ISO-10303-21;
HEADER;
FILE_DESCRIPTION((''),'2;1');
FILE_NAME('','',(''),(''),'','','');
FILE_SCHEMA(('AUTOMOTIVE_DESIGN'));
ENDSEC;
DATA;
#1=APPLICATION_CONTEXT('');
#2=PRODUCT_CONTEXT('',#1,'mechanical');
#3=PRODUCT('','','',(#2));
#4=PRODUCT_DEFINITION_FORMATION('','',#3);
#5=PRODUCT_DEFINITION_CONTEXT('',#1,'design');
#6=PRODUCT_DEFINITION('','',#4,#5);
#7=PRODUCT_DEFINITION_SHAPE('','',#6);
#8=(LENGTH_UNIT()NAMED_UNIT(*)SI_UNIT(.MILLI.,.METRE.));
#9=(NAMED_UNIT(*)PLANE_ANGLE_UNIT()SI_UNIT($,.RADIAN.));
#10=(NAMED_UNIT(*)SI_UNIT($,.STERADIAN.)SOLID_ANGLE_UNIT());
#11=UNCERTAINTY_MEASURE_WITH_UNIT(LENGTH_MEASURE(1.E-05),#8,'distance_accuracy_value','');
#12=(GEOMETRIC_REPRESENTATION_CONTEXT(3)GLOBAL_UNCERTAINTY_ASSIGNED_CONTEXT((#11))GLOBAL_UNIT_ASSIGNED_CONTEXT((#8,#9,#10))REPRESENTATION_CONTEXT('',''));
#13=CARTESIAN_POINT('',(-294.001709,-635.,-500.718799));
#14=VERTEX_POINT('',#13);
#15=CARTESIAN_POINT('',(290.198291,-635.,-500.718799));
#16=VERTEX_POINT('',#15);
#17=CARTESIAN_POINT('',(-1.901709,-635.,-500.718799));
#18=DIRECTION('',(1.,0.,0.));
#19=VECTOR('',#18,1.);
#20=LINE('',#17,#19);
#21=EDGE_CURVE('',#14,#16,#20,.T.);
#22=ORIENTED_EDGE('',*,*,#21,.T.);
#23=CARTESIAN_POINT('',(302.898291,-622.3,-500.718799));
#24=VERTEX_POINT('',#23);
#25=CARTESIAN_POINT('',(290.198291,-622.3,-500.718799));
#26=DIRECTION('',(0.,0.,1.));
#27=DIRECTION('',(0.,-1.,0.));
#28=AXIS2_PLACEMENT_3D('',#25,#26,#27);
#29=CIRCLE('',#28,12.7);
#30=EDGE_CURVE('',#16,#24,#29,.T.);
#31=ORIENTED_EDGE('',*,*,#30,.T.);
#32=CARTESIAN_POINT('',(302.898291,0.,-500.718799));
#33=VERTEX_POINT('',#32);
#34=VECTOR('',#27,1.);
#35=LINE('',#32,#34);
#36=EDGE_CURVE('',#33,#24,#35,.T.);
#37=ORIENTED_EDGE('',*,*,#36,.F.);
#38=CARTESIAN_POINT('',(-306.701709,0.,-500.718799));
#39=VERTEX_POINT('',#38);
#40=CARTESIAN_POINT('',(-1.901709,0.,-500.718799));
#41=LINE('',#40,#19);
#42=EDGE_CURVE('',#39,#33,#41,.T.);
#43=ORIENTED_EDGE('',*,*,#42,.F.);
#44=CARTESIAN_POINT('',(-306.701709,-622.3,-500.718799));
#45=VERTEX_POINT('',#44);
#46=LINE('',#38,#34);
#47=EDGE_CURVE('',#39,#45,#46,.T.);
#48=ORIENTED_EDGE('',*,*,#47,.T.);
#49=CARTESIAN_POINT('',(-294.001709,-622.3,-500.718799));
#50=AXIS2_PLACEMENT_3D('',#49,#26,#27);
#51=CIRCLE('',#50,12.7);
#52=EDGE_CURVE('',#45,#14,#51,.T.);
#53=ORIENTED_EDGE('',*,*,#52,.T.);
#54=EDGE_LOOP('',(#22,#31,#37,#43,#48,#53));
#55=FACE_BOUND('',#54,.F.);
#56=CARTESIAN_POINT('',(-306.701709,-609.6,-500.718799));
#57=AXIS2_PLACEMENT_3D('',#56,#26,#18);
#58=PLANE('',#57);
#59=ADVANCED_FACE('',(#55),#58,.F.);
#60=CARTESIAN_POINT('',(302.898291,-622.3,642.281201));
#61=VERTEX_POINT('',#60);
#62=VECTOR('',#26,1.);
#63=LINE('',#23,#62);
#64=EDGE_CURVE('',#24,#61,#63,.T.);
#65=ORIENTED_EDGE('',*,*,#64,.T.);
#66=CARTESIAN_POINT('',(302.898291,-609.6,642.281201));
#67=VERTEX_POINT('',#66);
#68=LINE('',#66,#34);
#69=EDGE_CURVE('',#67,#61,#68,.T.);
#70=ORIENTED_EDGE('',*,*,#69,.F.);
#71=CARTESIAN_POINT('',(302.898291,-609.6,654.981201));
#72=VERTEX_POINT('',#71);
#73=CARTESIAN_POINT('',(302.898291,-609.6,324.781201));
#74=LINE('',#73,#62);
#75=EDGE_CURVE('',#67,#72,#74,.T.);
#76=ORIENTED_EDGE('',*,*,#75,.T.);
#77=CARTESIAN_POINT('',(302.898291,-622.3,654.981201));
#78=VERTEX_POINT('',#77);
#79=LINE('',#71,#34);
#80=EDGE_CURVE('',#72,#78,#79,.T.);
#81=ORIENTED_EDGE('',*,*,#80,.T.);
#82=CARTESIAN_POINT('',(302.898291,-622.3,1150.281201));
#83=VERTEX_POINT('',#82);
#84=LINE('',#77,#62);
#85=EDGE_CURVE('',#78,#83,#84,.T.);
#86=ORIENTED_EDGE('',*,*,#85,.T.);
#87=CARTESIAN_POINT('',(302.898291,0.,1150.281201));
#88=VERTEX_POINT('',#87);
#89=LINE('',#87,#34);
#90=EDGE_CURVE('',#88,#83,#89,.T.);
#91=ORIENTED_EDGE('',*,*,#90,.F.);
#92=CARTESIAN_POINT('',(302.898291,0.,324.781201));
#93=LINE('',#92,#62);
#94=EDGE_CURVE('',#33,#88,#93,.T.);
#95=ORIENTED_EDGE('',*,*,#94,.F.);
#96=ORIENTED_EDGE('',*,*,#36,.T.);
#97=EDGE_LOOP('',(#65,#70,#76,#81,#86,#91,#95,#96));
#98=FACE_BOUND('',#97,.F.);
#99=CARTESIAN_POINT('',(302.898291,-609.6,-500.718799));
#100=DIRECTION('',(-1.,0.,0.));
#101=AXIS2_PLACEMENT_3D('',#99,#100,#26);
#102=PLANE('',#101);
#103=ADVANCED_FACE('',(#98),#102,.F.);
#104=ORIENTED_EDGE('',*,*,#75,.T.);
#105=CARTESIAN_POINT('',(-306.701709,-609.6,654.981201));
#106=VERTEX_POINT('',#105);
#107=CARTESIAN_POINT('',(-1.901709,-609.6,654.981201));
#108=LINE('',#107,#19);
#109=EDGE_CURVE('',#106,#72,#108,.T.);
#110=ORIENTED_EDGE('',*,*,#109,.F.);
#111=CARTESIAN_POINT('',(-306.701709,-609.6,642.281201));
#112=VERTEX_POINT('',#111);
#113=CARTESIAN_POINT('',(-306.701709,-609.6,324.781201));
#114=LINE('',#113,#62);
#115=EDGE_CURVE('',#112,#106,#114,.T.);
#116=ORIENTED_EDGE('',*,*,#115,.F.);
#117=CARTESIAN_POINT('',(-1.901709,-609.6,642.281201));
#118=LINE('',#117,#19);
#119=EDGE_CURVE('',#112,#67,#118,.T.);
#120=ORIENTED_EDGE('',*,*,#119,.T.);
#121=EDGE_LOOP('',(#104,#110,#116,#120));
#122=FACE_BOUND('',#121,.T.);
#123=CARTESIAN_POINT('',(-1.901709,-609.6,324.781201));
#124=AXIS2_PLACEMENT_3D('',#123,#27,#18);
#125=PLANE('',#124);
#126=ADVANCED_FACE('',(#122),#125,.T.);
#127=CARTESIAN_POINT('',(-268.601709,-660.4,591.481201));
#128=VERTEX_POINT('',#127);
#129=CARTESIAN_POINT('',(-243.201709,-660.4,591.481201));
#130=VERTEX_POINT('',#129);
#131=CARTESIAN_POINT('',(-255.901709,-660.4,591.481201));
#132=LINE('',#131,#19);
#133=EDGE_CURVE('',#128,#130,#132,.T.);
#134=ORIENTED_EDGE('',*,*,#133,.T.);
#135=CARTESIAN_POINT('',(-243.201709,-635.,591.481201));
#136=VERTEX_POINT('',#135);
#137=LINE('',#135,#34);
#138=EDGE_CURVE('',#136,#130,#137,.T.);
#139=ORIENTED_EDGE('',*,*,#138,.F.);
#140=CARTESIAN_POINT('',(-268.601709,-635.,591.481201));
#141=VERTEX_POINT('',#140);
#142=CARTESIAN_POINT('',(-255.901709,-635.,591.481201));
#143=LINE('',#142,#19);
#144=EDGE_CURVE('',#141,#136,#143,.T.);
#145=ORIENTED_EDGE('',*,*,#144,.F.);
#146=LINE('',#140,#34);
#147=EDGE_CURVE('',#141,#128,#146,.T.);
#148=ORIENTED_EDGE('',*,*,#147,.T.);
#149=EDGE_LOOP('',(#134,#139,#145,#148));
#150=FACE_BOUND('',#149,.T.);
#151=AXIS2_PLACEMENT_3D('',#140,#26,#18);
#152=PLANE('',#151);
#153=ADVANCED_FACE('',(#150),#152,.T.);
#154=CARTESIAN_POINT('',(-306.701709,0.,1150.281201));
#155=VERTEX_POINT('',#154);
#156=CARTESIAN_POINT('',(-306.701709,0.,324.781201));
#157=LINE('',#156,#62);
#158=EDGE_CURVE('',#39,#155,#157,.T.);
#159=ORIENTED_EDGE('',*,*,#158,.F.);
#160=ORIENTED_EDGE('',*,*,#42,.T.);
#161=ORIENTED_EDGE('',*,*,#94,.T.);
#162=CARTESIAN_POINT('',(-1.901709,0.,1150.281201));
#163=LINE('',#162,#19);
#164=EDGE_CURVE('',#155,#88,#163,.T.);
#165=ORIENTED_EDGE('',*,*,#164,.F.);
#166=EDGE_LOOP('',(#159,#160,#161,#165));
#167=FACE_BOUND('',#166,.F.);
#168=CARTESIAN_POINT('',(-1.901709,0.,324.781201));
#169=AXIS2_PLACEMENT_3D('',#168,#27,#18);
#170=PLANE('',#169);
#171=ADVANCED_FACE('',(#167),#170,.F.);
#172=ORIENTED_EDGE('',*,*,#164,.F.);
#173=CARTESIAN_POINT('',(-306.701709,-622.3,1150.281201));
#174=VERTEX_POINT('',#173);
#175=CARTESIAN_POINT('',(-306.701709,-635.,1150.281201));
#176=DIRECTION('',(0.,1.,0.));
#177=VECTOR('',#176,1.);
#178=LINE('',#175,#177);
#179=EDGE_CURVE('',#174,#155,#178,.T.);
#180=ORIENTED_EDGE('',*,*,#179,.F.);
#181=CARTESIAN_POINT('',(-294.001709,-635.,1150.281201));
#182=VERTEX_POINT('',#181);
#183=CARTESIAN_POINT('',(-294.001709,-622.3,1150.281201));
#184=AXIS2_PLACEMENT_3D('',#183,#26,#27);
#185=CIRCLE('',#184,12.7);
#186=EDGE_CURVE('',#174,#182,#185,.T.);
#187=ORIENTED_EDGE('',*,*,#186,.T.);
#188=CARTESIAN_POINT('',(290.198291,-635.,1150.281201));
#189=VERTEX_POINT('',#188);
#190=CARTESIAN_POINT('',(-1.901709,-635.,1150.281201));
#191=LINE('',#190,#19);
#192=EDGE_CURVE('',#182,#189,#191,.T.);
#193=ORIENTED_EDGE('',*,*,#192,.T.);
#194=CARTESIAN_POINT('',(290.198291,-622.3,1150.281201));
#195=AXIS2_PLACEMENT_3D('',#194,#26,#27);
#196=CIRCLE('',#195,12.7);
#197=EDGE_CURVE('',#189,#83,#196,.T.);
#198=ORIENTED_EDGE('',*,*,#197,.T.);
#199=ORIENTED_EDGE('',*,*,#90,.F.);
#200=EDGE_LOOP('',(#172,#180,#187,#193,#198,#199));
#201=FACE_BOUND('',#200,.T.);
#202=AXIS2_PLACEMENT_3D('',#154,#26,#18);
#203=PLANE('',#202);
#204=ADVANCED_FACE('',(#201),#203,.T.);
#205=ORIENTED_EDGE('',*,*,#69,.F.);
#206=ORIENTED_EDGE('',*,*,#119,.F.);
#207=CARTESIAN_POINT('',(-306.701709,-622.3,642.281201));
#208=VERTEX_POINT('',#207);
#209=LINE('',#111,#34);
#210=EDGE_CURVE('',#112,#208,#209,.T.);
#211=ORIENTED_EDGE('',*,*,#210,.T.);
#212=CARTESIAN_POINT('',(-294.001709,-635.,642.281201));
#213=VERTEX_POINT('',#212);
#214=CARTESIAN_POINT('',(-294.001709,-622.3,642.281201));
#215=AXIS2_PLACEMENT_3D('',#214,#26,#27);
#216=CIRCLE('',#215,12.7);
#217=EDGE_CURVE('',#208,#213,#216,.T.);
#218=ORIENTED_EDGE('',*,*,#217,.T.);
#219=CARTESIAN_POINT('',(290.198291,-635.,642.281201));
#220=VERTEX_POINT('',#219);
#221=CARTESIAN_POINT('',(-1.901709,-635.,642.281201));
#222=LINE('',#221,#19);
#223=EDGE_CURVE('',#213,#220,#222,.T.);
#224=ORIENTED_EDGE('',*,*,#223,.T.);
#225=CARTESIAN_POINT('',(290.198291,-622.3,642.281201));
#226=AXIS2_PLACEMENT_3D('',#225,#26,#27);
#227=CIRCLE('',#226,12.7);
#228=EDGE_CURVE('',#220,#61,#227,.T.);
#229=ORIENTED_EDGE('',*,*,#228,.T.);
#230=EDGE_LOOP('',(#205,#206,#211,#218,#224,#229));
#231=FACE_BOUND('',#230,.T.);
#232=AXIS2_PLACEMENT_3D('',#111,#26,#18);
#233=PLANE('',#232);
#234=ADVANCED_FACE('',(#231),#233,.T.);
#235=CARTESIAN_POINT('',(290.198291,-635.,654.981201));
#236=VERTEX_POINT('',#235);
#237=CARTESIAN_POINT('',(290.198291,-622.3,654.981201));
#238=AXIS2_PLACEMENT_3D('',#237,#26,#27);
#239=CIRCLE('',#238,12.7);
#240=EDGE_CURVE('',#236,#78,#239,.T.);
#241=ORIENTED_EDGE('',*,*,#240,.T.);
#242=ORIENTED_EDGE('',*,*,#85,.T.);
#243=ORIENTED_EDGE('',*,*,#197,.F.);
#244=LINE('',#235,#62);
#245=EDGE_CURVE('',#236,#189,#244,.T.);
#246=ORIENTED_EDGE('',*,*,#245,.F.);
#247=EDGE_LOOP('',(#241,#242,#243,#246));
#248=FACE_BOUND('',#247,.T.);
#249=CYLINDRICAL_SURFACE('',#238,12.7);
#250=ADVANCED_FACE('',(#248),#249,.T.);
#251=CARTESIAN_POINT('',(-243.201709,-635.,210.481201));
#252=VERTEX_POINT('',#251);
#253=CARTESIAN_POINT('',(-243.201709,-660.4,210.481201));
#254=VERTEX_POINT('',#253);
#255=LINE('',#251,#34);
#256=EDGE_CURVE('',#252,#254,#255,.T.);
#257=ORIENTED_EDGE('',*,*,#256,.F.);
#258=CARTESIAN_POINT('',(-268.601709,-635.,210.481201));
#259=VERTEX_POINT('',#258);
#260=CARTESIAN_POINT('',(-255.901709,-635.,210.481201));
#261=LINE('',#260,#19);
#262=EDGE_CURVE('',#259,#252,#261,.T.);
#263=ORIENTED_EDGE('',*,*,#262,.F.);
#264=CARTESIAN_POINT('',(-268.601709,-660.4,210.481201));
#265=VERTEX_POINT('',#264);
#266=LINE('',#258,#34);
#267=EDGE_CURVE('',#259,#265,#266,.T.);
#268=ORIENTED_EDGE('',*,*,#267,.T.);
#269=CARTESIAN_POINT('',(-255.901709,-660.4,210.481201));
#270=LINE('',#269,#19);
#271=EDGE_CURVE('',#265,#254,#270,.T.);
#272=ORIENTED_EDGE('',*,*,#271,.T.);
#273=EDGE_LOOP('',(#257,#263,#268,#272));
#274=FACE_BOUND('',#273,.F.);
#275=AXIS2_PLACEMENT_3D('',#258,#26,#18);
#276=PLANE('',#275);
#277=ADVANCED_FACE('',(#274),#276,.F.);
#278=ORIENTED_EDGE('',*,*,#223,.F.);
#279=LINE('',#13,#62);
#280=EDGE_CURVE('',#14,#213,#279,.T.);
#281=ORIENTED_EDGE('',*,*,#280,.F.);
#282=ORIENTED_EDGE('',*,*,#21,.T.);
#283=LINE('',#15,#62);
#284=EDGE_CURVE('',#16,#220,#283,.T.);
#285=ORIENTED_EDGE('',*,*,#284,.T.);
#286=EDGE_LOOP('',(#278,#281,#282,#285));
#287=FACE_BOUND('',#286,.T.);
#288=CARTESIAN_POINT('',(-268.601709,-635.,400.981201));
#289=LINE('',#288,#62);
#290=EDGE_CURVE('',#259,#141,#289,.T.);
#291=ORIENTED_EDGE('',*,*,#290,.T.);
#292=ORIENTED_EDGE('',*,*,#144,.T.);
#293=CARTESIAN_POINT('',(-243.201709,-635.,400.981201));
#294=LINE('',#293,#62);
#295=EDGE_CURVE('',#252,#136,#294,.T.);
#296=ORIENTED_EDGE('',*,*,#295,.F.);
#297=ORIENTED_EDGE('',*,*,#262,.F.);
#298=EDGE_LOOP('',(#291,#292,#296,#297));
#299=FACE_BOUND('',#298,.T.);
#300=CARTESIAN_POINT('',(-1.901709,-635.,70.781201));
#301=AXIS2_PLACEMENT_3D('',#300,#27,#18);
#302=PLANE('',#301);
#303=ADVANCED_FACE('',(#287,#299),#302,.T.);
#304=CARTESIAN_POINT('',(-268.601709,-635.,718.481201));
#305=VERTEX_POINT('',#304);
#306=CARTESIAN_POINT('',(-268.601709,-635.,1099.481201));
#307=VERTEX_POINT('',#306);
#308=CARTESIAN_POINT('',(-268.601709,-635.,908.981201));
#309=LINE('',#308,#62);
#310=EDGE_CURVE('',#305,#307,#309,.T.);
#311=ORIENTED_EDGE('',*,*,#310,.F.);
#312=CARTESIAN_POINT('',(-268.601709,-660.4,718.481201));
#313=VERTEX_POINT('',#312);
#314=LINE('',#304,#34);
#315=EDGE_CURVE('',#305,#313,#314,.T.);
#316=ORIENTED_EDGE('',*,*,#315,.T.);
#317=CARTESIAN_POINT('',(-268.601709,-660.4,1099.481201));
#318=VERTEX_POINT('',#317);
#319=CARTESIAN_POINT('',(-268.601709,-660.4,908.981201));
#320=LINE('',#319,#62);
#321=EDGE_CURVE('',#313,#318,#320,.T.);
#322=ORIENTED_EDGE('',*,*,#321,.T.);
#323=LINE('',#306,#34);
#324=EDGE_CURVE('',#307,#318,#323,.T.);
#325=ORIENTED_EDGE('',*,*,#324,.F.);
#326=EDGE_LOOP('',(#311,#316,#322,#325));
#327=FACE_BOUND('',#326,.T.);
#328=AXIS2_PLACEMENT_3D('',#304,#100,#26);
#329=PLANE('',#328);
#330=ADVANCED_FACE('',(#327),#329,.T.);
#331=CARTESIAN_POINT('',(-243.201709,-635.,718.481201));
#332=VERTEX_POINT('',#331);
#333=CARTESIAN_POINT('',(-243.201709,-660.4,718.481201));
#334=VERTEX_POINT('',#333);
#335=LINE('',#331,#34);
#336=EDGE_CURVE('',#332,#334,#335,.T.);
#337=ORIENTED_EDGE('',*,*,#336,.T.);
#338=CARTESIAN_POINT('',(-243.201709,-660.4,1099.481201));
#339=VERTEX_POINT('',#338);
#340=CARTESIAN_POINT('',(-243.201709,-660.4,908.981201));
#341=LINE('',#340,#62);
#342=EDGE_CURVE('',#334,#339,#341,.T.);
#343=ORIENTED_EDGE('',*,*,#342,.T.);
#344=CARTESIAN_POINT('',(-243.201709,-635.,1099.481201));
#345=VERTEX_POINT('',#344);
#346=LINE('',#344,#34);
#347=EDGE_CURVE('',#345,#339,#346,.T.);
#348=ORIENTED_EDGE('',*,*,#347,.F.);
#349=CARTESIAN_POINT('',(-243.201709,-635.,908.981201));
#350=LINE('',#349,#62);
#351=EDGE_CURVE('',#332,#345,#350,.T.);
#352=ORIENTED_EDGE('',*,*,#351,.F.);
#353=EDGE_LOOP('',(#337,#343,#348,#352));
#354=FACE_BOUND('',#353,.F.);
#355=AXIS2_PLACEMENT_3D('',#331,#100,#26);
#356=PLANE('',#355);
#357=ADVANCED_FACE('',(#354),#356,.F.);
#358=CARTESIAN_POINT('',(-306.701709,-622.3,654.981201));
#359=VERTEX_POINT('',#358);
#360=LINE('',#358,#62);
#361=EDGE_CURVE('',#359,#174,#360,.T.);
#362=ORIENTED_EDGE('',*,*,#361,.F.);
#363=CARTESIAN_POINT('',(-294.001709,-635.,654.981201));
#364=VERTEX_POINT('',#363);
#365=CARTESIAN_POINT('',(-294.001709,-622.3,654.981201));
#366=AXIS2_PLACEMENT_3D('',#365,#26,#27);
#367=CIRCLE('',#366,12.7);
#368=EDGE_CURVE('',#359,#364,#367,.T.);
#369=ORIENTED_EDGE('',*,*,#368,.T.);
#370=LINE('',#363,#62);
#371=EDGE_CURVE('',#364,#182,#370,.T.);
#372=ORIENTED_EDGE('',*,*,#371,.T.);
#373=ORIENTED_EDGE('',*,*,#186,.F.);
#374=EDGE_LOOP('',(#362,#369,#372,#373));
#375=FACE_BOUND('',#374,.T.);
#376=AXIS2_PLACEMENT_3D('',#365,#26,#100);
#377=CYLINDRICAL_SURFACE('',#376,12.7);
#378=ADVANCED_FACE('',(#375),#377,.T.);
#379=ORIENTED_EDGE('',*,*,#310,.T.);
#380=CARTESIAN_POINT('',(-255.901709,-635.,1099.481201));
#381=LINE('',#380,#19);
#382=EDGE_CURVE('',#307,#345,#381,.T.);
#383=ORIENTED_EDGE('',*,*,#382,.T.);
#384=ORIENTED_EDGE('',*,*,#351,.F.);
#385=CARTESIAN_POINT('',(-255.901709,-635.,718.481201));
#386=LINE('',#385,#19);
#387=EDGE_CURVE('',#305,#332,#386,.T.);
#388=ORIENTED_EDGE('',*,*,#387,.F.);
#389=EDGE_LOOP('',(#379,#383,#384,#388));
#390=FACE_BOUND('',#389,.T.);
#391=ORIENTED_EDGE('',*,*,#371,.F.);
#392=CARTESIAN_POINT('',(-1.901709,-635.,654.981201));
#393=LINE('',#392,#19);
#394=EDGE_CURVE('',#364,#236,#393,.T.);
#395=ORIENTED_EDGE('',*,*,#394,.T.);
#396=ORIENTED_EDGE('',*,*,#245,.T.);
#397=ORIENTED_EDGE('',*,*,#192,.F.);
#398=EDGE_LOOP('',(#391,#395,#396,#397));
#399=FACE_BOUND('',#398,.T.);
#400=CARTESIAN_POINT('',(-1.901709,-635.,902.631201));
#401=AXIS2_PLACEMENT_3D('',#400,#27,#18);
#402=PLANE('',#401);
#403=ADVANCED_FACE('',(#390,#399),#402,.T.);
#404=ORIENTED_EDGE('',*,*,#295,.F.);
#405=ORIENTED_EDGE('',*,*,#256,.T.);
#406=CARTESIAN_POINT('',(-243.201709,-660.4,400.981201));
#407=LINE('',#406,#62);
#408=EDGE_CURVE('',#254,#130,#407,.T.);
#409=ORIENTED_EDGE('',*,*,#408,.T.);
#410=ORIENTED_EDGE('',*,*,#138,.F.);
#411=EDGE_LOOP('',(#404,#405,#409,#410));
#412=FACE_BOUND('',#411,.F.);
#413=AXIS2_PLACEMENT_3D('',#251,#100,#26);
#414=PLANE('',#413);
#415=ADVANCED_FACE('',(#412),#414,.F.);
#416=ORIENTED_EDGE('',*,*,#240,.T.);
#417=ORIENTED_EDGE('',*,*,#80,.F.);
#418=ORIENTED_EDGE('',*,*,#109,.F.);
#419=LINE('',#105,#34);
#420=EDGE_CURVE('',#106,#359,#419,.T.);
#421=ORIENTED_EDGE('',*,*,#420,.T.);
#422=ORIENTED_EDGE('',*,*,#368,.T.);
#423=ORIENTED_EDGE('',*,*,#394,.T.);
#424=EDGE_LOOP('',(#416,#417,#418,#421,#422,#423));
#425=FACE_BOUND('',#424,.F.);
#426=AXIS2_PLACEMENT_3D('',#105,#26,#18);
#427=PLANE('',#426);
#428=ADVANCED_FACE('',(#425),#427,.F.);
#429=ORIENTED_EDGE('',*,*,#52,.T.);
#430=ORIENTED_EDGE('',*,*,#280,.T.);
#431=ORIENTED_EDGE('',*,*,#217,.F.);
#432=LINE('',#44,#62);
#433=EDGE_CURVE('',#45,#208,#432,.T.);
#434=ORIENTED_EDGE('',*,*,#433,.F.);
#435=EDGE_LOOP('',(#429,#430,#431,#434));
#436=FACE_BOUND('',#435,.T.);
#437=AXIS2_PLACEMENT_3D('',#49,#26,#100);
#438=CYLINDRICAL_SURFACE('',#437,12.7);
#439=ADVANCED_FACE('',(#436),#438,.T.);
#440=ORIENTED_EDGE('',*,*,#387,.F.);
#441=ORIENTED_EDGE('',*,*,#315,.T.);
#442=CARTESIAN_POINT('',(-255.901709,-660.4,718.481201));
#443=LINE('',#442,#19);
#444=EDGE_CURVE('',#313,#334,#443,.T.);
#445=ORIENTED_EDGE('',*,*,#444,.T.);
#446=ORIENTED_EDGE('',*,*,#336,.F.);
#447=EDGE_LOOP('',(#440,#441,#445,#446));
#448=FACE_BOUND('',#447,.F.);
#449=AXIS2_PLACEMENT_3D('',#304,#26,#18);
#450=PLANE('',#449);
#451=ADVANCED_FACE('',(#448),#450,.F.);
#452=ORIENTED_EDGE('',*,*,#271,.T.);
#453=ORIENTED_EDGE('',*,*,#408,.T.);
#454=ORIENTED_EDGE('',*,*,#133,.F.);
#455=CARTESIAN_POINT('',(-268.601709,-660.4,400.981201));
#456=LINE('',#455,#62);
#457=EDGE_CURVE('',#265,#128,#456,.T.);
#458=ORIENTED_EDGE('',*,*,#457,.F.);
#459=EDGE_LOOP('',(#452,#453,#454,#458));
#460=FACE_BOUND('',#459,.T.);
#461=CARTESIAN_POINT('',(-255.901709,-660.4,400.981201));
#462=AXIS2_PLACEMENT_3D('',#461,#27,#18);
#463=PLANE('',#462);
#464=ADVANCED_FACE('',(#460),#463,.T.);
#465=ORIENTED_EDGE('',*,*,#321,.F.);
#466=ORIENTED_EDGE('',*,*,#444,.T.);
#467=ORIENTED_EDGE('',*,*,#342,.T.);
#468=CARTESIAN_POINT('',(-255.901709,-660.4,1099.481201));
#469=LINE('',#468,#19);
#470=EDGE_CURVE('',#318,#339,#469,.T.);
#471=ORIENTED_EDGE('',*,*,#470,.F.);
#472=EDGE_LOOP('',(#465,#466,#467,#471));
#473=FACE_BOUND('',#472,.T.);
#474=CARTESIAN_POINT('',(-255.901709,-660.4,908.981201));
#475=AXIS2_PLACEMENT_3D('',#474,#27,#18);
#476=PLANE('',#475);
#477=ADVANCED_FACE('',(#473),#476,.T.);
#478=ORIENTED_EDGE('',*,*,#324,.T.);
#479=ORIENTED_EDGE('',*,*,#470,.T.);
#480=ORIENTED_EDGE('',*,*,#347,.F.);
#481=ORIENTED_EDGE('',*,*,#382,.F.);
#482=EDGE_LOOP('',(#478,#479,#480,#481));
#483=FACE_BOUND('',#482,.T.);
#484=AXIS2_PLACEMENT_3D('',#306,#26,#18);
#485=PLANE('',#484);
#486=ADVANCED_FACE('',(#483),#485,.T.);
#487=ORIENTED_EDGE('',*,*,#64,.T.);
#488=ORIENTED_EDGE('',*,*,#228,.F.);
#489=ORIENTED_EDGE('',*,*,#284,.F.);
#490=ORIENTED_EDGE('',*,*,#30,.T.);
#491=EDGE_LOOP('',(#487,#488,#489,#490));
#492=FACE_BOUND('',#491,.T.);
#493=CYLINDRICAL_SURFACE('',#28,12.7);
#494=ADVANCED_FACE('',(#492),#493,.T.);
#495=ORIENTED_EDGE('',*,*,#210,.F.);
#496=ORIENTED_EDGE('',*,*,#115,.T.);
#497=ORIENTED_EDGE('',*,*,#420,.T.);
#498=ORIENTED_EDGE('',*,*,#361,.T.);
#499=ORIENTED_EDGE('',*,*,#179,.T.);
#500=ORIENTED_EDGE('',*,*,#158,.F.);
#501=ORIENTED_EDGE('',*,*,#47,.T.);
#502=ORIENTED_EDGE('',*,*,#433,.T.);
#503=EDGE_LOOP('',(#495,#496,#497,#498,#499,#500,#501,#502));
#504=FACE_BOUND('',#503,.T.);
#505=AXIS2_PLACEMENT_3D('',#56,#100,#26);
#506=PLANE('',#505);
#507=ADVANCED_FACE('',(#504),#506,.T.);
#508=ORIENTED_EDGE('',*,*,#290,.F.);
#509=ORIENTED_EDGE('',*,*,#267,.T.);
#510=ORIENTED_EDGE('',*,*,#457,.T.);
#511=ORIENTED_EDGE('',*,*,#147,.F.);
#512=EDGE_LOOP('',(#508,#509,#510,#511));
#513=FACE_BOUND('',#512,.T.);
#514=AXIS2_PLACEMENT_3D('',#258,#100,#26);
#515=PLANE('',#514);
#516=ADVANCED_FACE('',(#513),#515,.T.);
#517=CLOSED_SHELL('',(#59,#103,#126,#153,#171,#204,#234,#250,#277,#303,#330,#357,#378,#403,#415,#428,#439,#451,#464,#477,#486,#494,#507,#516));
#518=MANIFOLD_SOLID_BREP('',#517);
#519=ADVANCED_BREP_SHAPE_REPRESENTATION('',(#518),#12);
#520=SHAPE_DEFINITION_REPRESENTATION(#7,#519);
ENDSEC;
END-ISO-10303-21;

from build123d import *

# Parameters (mm, degrees)
F0_W     = 609.6
F0_H     = 1651
F1_DEPTH = 609.6
F2_W     = 609.6
F2_H     = 1143
F2_H_2   = 495.3
F3_DEPTH = 25.4
F4_W     = 25.4
F4_H     = 381
F5_DEPTH = 25.4
F6_R     = 12.7


with BuildPart() as f1:
    # F0 (on Front) → F1 (new body)
    with BuildSketch(Plane.XZ):
        with Locations((-1.901709, 324.781201)):
            Rectangle(F0_W, F0_H)
    extrude(amount=F1_DEPTH)

    # F2 (on face) → F3 (join)
    with BuildSketch(Plane.XZ.offset(609.6)):
        with Locations((-1.901709, 70.781201)):
            Rectangle(F2_W, F2_H)
        with Locations((-1.901709, 902.631201)):
            Rectangle(F2_W, F2_H_2)
    extrude(amount=F3_DEPTH)

    # F4 (on face) → F5 (join)
    with BuildSketch(Plane.XZ.offset(635)):
        with Locations((-255.901709, 908.981201)):
            Rectangle(F4_W, F4_H)
        with Locations((-255.901709, 400.981201)):
            Rectangle(F4_W, F4_H)
    extrude(amount=F5_DEPTH)

    # F6
    f6_edges = [f1.edges().sort_by_distance(p)[0] for p in [
        (302.898291, -635, 902.631201),
        (302.898291, -635, 70.781201),
        (-306.701709, -635, 902.631201),
        (-306.701709, -635, 70.781201),
    ]]
    fillet(f6_edges, radius=F6_R)


solid = f1.part
